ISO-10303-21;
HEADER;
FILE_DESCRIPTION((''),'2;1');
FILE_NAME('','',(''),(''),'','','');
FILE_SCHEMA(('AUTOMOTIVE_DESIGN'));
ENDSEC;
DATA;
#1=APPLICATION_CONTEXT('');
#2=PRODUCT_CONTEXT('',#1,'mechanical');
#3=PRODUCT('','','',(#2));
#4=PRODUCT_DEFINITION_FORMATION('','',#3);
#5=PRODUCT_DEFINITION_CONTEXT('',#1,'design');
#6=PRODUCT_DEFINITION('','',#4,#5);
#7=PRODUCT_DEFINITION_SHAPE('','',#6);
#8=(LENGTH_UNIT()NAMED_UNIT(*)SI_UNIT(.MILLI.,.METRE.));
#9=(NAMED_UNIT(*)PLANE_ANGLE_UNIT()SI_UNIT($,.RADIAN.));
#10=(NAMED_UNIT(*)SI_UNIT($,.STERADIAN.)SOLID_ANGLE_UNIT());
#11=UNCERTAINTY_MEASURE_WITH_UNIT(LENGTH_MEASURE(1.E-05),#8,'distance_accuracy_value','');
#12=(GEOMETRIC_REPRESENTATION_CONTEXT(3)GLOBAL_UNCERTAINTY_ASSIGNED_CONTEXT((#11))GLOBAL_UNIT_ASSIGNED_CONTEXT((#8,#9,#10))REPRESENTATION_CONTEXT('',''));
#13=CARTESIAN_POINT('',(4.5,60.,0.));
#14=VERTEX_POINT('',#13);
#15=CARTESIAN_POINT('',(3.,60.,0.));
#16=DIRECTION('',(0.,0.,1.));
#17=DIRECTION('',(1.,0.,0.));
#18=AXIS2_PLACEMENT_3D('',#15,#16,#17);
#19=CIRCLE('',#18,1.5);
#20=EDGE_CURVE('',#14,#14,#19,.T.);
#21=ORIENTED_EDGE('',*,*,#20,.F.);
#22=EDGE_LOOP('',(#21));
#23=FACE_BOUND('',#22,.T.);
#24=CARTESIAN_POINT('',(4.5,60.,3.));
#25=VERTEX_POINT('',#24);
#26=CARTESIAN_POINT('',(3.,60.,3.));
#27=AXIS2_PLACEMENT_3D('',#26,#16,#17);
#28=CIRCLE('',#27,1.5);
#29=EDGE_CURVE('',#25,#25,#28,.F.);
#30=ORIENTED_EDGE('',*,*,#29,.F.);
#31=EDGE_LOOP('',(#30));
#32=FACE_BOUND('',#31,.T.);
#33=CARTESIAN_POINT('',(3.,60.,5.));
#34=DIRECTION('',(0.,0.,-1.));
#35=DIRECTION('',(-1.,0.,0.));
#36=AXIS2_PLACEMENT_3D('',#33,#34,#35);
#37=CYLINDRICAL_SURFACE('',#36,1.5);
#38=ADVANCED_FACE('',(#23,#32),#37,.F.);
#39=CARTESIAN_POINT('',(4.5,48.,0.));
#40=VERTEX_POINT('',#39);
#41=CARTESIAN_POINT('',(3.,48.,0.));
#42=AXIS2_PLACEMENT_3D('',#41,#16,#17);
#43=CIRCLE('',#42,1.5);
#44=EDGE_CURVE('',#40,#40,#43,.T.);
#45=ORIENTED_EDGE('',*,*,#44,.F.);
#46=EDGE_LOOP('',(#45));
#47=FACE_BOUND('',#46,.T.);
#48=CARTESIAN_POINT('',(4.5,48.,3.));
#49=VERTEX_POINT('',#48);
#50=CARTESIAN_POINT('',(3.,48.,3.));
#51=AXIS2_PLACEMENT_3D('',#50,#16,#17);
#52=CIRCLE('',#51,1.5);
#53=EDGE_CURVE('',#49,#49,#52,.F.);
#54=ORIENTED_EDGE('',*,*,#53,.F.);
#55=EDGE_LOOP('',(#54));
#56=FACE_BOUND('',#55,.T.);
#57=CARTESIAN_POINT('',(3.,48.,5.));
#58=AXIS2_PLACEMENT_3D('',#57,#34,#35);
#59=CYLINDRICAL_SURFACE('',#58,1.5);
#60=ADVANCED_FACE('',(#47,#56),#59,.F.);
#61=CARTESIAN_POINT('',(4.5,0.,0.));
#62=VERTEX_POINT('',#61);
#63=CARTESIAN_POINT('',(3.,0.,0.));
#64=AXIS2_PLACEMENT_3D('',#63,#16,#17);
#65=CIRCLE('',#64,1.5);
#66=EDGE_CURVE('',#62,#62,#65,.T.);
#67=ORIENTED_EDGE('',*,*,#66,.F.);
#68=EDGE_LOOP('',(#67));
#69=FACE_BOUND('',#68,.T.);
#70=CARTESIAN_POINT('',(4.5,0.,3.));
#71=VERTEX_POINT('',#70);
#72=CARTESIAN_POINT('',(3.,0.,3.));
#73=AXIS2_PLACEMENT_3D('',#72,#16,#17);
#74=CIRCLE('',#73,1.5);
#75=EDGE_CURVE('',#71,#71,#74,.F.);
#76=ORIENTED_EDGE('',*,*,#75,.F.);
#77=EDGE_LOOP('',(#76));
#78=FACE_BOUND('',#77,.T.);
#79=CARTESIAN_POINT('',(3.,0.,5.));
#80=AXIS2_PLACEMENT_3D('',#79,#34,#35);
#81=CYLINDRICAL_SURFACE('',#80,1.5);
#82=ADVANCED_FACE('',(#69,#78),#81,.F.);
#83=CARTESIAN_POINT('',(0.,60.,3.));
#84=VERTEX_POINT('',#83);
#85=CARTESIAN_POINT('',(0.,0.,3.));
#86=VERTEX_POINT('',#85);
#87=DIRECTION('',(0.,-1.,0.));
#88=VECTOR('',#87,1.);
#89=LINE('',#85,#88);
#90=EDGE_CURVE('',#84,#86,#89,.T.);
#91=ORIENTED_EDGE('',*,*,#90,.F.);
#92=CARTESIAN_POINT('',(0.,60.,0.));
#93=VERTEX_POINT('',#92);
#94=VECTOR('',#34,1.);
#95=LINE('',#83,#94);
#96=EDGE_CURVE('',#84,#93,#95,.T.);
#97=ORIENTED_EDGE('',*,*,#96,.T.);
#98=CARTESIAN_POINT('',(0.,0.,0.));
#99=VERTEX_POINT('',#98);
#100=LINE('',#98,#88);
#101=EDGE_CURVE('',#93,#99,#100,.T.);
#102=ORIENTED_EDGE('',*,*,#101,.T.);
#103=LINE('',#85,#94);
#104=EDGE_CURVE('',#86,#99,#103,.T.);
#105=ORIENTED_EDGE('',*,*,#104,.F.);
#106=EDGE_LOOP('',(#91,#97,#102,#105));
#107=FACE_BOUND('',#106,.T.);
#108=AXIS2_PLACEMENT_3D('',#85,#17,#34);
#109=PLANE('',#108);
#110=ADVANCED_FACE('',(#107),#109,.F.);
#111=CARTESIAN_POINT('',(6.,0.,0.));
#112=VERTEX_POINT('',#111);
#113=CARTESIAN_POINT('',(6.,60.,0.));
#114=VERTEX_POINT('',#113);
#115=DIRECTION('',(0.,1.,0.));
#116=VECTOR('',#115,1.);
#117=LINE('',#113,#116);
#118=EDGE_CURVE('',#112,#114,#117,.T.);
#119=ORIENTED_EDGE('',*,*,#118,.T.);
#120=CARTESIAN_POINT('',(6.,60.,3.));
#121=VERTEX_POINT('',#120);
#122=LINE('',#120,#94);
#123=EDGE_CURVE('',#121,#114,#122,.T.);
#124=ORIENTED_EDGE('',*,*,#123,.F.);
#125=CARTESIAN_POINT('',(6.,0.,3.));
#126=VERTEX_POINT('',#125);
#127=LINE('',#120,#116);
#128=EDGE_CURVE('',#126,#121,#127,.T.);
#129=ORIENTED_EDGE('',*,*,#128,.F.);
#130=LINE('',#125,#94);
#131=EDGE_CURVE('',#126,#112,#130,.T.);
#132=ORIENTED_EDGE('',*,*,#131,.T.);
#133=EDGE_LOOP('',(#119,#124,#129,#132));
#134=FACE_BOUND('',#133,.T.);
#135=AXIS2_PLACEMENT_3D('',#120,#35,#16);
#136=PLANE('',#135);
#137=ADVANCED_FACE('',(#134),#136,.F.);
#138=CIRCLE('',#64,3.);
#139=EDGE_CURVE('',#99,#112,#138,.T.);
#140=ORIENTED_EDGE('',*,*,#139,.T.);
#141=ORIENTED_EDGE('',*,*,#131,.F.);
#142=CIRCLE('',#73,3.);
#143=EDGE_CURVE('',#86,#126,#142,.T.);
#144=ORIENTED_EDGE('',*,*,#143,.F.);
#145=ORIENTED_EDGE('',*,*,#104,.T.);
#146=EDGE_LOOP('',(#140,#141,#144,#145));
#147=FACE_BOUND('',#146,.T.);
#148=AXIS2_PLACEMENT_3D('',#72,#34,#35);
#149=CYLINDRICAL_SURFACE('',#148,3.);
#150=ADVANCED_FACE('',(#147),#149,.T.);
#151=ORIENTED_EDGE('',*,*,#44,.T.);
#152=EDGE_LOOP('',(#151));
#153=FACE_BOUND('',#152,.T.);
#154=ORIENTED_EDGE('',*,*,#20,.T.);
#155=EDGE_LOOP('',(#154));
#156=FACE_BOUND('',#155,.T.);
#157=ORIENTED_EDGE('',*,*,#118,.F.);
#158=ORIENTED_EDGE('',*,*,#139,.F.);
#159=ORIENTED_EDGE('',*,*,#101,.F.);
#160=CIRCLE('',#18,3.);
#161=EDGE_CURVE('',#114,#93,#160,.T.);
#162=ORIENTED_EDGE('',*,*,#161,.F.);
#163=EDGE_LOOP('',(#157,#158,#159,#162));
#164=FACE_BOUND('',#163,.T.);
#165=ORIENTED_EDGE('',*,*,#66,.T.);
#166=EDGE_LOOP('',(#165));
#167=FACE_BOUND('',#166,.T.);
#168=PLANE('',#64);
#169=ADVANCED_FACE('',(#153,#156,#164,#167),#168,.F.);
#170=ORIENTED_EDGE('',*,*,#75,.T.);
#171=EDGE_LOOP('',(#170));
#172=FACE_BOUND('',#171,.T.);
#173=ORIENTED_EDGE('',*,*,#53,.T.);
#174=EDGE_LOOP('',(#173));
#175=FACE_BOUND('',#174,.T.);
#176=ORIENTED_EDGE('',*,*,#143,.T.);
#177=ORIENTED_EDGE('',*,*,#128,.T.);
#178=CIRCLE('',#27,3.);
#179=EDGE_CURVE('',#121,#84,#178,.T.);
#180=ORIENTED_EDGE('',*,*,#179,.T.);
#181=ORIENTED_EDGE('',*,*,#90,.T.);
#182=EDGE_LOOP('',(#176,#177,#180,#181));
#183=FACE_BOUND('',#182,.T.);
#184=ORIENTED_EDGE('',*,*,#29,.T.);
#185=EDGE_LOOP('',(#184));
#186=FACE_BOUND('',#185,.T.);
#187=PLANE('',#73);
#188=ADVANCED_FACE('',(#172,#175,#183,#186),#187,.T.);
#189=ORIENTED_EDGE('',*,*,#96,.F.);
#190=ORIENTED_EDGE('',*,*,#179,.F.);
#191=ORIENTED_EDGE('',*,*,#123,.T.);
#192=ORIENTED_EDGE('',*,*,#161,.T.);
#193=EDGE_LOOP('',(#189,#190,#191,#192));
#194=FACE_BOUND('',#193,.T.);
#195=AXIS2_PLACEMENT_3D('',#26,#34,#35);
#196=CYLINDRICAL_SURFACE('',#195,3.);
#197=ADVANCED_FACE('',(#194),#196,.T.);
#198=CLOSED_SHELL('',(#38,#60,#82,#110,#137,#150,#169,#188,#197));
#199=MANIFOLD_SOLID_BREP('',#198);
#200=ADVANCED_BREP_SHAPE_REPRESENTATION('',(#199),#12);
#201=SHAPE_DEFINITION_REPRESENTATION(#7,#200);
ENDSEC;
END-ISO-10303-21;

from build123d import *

# Parameters (mm, degrees)
EXTRUDE_1_DEPTH     = 3
SKETCH_3_R          = 1.5
CUT_EXTRUDE_3_DEPTH = 5


with BuildPart() as part:
    # 草图1 → 凸台-拉伸1 (new body)
    with BuildSketch(Plane.XY):
        with BuildLine():
            Line((0, 0), (0, 60))
            ThreePointArc((0, 60), (3, 63), (6, 60))
            Line((6, 60), (6, 0))
            ThreePointArc((6, 0), (3, -3), (0, 0))
        make_face()
    extrude(amount=EXTRUDE_1_DEPTH)

    # 草图3 → 切除-拉伸3 (cut)
    with BuildSketch(Plane.XY):
        with Locations((3, 0)):
            Circle(SKETCH_3_R)
        with Locations((3, 60)):
            Circle(SKETCH_3_R)
        with Locations((3, 48)):
            Circle(SKETCH_3_R)
    extrude(amount=CUT_EXTRUDE_3_DEPTH, mode=Mode.SUBTRACT)


solid = part.part
